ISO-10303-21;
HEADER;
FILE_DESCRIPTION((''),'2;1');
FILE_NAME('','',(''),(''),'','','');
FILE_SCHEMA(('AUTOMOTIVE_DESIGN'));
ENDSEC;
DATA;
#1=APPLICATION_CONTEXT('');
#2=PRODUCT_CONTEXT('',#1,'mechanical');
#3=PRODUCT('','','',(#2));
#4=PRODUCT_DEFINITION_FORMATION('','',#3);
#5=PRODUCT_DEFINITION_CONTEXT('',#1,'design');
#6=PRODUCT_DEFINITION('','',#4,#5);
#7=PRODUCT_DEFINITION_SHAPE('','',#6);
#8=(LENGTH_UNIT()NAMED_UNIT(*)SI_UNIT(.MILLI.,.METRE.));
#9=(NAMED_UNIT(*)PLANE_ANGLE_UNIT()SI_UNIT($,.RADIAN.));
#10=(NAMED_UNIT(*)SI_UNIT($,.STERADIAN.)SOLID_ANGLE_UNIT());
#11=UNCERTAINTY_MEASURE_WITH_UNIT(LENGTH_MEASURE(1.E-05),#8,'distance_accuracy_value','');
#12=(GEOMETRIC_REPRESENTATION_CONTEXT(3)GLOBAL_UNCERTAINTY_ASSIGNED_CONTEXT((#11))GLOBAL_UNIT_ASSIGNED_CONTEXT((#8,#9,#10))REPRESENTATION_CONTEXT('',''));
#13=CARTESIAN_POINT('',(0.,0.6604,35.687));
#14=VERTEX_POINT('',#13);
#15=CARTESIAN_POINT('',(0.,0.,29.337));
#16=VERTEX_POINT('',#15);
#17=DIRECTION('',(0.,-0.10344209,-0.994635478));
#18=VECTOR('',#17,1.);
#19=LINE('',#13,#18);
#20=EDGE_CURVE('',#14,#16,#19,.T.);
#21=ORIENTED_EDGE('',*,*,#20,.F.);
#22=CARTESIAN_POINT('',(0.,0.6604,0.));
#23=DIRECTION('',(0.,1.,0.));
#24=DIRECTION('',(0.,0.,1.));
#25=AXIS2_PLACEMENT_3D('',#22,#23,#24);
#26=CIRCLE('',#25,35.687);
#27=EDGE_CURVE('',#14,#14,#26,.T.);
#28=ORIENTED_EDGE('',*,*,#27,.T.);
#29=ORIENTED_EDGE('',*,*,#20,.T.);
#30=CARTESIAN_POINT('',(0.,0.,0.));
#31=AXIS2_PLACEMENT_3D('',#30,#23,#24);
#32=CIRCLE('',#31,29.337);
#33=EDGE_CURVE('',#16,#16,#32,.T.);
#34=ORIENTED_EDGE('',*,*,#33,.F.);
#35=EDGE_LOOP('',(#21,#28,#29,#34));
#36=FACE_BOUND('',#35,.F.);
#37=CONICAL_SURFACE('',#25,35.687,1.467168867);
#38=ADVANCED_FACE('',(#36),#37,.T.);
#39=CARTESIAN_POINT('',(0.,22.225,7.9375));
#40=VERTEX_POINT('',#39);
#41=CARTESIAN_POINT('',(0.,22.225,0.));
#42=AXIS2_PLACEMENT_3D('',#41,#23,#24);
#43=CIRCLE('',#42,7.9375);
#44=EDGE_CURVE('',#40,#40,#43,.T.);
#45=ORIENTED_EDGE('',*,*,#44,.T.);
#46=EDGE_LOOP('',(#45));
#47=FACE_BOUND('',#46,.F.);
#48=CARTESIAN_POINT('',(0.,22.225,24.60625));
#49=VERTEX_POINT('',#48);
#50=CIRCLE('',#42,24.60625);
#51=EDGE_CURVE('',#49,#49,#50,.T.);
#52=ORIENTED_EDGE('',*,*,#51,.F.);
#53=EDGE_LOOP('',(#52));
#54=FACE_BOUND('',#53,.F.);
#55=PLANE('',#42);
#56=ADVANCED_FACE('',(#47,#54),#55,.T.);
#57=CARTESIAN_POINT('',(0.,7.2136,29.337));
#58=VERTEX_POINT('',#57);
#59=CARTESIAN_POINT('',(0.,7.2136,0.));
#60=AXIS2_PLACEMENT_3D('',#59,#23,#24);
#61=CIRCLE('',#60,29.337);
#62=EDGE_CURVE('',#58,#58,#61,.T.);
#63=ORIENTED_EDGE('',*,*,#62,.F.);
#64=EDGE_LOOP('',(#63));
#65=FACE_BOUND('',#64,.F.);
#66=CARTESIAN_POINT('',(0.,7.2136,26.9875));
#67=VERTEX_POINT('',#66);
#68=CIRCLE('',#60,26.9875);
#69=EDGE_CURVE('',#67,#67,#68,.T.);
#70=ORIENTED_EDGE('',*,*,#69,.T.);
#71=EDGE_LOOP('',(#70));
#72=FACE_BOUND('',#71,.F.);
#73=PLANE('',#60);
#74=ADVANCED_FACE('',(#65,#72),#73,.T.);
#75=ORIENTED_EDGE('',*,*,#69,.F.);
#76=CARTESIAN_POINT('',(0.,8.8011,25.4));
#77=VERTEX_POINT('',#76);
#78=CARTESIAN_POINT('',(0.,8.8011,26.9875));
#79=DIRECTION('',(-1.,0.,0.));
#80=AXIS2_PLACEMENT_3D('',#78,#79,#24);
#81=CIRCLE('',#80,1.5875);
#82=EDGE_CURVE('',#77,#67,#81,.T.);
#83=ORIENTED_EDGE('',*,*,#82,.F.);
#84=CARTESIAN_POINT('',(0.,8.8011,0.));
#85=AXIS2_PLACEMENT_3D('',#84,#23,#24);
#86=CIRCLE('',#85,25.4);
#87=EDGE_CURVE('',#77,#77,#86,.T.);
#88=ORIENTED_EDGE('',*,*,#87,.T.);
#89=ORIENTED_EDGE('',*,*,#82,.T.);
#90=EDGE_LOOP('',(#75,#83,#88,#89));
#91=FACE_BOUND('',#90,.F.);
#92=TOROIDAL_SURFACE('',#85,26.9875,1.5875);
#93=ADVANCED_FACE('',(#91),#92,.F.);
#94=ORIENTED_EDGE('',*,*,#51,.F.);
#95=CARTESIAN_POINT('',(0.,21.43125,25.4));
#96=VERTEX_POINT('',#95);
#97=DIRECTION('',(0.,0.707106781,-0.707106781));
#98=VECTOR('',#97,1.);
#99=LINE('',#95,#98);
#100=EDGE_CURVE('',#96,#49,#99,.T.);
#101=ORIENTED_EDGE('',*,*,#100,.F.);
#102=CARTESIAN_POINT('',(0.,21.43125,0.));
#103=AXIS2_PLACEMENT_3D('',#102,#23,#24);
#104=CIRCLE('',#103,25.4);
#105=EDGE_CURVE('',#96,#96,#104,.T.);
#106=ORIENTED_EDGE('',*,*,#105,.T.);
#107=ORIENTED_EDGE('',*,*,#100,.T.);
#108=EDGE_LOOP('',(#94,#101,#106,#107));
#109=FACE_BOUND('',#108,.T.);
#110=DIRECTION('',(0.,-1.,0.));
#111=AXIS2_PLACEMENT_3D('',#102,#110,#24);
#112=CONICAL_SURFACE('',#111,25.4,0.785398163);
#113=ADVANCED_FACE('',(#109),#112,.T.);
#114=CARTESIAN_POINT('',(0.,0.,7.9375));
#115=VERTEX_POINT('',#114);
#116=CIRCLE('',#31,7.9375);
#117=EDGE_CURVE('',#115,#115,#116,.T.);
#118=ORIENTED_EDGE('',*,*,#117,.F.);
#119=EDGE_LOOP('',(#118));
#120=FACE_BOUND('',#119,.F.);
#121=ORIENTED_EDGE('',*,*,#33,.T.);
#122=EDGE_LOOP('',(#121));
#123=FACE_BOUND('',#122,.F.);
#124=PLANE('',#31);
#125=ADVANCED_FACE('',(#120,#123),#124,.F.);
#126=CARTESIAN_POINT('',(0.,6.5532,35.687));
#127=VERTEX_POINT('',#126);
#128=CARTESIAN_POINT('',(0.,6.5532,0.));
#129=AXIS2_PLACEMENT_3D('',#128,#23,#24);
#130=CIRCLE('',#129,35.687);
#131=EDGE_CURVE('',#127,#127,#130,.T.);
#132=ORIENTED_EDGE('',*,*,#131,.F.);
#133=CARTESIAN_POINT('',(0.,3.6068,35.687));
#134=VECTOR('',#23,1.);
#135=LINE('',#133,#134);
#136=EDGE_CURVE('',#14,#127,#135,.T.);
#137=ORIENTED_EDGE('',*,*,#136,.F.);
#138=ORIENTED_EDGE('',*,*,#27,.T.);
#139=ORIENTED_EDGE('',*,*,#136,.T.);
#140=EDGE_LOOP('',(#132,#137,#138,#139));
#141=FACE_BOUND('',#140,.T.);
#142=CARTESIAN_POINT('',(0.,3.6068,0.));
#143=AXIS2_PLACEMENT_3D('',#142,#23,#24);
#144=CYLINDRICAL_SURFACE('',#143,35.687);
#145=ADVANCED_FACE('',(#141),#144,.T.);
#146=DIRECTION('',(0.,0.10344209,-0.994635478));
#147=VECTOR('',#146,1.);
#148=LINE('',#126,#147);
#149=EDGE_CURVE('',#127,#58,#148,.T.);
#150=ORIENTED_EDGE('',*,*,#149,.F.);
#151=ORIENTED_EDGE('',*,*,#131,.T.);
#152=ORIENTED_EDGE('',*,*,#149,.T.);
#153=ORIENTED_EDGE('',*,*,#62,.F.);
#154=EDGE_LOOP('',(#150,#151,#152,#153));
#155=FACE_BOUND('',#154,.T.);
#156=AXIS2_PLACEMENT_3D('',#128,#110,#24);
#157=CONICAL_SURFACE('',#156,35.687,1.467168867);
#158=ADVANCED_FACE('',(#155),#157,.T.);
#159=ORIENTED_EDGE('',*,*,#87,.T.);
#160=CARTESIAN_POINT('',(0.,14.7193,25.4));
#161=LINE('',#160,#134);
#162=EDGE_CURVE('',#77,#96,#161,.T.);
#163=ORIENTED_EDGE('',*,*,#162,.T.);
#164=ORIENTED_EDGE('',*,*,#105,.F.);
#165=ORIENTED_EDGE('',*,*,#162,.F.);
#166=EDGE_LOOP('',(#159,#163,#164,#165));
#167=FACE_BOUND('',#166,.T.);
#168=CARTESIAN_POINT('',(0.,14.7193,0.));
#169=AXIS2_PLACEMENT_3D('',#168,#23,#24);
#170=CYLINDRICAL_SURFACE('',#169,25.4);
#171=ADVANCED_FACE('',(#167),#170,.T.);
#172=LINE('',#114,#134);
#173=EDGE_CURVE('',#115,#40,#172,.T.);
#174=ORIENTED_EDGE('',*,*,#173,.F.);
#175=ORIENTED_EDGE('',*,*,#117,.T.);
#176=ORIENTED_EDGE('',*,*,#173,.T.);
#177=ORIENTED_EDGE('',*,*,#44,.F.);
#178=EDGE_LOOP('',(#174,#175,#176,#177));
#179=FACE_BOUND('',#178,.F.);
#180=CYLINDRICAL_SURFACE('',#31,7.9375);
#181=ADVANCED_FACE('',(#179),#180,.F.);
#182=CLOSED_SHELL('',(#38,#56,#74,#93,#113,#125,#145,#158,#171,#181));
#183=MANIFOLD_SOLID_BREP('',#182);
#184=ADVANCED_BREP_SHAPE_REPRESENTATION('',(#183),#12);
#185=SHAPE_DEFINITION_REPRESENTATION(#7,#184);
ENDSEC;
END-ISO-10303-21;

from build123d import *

# Parameters (mm, degrees)
F0_W     = 15.0114
F0_H     = 17.4625
F0_W_2   = 7.2136
F0_H_2   = 10.287
F2_R     = 1.5875
F3_SIZE  = 0.79375
F4_SIZE2 = 6.35
F4_SIZE  = 0.6604


with BuildPart() as f1:
    # F0 (on Right) → F1 (revolve)
    with BuildSketch(Plane.YZ):
        with Locations((14.7193, 16.66875)):
            Rectangle(F0_W, F0_H)
        with Locations((3.6068, 30.5435)):
            Rectangle(F0_W_2, F0_H_2)
        with Locations((3.6068, 16.66875)):
            Rectangle(F0_W_2, F0_H)
    revolve(axis=Axis((0, 11.1125, 0), (0, 1, 0)))

    # F2
    f2_edges = [f1.edges().sort_by_distance(p)[0] for p in [
        (0, 7.2136, -25.4),
    ]]
    fillet(f2_edges, radius=F2_R)

    # F3
    f3_edges = [f1.edges().sort_by_distance(p)[0] for p in [
        (0, 22.225, -25.4),
    ]]
    chamfer(f3_edges, length=F3_SIZE)

    # F4
    f4_edges = [f1.edges().sort_by_distance(p)[0] for p in [
        (0, 0, -35.687),
        (0, 7.2136, -35.687),
    ]]
    f4_side = f1.faces().sort_by_distance((0, 3.6068, -35.687))[0]
    chamfer(f4_edges, length=F4_SIZE, length2=F4_SIZE2, reference=f4_side)


solid = f1.part
